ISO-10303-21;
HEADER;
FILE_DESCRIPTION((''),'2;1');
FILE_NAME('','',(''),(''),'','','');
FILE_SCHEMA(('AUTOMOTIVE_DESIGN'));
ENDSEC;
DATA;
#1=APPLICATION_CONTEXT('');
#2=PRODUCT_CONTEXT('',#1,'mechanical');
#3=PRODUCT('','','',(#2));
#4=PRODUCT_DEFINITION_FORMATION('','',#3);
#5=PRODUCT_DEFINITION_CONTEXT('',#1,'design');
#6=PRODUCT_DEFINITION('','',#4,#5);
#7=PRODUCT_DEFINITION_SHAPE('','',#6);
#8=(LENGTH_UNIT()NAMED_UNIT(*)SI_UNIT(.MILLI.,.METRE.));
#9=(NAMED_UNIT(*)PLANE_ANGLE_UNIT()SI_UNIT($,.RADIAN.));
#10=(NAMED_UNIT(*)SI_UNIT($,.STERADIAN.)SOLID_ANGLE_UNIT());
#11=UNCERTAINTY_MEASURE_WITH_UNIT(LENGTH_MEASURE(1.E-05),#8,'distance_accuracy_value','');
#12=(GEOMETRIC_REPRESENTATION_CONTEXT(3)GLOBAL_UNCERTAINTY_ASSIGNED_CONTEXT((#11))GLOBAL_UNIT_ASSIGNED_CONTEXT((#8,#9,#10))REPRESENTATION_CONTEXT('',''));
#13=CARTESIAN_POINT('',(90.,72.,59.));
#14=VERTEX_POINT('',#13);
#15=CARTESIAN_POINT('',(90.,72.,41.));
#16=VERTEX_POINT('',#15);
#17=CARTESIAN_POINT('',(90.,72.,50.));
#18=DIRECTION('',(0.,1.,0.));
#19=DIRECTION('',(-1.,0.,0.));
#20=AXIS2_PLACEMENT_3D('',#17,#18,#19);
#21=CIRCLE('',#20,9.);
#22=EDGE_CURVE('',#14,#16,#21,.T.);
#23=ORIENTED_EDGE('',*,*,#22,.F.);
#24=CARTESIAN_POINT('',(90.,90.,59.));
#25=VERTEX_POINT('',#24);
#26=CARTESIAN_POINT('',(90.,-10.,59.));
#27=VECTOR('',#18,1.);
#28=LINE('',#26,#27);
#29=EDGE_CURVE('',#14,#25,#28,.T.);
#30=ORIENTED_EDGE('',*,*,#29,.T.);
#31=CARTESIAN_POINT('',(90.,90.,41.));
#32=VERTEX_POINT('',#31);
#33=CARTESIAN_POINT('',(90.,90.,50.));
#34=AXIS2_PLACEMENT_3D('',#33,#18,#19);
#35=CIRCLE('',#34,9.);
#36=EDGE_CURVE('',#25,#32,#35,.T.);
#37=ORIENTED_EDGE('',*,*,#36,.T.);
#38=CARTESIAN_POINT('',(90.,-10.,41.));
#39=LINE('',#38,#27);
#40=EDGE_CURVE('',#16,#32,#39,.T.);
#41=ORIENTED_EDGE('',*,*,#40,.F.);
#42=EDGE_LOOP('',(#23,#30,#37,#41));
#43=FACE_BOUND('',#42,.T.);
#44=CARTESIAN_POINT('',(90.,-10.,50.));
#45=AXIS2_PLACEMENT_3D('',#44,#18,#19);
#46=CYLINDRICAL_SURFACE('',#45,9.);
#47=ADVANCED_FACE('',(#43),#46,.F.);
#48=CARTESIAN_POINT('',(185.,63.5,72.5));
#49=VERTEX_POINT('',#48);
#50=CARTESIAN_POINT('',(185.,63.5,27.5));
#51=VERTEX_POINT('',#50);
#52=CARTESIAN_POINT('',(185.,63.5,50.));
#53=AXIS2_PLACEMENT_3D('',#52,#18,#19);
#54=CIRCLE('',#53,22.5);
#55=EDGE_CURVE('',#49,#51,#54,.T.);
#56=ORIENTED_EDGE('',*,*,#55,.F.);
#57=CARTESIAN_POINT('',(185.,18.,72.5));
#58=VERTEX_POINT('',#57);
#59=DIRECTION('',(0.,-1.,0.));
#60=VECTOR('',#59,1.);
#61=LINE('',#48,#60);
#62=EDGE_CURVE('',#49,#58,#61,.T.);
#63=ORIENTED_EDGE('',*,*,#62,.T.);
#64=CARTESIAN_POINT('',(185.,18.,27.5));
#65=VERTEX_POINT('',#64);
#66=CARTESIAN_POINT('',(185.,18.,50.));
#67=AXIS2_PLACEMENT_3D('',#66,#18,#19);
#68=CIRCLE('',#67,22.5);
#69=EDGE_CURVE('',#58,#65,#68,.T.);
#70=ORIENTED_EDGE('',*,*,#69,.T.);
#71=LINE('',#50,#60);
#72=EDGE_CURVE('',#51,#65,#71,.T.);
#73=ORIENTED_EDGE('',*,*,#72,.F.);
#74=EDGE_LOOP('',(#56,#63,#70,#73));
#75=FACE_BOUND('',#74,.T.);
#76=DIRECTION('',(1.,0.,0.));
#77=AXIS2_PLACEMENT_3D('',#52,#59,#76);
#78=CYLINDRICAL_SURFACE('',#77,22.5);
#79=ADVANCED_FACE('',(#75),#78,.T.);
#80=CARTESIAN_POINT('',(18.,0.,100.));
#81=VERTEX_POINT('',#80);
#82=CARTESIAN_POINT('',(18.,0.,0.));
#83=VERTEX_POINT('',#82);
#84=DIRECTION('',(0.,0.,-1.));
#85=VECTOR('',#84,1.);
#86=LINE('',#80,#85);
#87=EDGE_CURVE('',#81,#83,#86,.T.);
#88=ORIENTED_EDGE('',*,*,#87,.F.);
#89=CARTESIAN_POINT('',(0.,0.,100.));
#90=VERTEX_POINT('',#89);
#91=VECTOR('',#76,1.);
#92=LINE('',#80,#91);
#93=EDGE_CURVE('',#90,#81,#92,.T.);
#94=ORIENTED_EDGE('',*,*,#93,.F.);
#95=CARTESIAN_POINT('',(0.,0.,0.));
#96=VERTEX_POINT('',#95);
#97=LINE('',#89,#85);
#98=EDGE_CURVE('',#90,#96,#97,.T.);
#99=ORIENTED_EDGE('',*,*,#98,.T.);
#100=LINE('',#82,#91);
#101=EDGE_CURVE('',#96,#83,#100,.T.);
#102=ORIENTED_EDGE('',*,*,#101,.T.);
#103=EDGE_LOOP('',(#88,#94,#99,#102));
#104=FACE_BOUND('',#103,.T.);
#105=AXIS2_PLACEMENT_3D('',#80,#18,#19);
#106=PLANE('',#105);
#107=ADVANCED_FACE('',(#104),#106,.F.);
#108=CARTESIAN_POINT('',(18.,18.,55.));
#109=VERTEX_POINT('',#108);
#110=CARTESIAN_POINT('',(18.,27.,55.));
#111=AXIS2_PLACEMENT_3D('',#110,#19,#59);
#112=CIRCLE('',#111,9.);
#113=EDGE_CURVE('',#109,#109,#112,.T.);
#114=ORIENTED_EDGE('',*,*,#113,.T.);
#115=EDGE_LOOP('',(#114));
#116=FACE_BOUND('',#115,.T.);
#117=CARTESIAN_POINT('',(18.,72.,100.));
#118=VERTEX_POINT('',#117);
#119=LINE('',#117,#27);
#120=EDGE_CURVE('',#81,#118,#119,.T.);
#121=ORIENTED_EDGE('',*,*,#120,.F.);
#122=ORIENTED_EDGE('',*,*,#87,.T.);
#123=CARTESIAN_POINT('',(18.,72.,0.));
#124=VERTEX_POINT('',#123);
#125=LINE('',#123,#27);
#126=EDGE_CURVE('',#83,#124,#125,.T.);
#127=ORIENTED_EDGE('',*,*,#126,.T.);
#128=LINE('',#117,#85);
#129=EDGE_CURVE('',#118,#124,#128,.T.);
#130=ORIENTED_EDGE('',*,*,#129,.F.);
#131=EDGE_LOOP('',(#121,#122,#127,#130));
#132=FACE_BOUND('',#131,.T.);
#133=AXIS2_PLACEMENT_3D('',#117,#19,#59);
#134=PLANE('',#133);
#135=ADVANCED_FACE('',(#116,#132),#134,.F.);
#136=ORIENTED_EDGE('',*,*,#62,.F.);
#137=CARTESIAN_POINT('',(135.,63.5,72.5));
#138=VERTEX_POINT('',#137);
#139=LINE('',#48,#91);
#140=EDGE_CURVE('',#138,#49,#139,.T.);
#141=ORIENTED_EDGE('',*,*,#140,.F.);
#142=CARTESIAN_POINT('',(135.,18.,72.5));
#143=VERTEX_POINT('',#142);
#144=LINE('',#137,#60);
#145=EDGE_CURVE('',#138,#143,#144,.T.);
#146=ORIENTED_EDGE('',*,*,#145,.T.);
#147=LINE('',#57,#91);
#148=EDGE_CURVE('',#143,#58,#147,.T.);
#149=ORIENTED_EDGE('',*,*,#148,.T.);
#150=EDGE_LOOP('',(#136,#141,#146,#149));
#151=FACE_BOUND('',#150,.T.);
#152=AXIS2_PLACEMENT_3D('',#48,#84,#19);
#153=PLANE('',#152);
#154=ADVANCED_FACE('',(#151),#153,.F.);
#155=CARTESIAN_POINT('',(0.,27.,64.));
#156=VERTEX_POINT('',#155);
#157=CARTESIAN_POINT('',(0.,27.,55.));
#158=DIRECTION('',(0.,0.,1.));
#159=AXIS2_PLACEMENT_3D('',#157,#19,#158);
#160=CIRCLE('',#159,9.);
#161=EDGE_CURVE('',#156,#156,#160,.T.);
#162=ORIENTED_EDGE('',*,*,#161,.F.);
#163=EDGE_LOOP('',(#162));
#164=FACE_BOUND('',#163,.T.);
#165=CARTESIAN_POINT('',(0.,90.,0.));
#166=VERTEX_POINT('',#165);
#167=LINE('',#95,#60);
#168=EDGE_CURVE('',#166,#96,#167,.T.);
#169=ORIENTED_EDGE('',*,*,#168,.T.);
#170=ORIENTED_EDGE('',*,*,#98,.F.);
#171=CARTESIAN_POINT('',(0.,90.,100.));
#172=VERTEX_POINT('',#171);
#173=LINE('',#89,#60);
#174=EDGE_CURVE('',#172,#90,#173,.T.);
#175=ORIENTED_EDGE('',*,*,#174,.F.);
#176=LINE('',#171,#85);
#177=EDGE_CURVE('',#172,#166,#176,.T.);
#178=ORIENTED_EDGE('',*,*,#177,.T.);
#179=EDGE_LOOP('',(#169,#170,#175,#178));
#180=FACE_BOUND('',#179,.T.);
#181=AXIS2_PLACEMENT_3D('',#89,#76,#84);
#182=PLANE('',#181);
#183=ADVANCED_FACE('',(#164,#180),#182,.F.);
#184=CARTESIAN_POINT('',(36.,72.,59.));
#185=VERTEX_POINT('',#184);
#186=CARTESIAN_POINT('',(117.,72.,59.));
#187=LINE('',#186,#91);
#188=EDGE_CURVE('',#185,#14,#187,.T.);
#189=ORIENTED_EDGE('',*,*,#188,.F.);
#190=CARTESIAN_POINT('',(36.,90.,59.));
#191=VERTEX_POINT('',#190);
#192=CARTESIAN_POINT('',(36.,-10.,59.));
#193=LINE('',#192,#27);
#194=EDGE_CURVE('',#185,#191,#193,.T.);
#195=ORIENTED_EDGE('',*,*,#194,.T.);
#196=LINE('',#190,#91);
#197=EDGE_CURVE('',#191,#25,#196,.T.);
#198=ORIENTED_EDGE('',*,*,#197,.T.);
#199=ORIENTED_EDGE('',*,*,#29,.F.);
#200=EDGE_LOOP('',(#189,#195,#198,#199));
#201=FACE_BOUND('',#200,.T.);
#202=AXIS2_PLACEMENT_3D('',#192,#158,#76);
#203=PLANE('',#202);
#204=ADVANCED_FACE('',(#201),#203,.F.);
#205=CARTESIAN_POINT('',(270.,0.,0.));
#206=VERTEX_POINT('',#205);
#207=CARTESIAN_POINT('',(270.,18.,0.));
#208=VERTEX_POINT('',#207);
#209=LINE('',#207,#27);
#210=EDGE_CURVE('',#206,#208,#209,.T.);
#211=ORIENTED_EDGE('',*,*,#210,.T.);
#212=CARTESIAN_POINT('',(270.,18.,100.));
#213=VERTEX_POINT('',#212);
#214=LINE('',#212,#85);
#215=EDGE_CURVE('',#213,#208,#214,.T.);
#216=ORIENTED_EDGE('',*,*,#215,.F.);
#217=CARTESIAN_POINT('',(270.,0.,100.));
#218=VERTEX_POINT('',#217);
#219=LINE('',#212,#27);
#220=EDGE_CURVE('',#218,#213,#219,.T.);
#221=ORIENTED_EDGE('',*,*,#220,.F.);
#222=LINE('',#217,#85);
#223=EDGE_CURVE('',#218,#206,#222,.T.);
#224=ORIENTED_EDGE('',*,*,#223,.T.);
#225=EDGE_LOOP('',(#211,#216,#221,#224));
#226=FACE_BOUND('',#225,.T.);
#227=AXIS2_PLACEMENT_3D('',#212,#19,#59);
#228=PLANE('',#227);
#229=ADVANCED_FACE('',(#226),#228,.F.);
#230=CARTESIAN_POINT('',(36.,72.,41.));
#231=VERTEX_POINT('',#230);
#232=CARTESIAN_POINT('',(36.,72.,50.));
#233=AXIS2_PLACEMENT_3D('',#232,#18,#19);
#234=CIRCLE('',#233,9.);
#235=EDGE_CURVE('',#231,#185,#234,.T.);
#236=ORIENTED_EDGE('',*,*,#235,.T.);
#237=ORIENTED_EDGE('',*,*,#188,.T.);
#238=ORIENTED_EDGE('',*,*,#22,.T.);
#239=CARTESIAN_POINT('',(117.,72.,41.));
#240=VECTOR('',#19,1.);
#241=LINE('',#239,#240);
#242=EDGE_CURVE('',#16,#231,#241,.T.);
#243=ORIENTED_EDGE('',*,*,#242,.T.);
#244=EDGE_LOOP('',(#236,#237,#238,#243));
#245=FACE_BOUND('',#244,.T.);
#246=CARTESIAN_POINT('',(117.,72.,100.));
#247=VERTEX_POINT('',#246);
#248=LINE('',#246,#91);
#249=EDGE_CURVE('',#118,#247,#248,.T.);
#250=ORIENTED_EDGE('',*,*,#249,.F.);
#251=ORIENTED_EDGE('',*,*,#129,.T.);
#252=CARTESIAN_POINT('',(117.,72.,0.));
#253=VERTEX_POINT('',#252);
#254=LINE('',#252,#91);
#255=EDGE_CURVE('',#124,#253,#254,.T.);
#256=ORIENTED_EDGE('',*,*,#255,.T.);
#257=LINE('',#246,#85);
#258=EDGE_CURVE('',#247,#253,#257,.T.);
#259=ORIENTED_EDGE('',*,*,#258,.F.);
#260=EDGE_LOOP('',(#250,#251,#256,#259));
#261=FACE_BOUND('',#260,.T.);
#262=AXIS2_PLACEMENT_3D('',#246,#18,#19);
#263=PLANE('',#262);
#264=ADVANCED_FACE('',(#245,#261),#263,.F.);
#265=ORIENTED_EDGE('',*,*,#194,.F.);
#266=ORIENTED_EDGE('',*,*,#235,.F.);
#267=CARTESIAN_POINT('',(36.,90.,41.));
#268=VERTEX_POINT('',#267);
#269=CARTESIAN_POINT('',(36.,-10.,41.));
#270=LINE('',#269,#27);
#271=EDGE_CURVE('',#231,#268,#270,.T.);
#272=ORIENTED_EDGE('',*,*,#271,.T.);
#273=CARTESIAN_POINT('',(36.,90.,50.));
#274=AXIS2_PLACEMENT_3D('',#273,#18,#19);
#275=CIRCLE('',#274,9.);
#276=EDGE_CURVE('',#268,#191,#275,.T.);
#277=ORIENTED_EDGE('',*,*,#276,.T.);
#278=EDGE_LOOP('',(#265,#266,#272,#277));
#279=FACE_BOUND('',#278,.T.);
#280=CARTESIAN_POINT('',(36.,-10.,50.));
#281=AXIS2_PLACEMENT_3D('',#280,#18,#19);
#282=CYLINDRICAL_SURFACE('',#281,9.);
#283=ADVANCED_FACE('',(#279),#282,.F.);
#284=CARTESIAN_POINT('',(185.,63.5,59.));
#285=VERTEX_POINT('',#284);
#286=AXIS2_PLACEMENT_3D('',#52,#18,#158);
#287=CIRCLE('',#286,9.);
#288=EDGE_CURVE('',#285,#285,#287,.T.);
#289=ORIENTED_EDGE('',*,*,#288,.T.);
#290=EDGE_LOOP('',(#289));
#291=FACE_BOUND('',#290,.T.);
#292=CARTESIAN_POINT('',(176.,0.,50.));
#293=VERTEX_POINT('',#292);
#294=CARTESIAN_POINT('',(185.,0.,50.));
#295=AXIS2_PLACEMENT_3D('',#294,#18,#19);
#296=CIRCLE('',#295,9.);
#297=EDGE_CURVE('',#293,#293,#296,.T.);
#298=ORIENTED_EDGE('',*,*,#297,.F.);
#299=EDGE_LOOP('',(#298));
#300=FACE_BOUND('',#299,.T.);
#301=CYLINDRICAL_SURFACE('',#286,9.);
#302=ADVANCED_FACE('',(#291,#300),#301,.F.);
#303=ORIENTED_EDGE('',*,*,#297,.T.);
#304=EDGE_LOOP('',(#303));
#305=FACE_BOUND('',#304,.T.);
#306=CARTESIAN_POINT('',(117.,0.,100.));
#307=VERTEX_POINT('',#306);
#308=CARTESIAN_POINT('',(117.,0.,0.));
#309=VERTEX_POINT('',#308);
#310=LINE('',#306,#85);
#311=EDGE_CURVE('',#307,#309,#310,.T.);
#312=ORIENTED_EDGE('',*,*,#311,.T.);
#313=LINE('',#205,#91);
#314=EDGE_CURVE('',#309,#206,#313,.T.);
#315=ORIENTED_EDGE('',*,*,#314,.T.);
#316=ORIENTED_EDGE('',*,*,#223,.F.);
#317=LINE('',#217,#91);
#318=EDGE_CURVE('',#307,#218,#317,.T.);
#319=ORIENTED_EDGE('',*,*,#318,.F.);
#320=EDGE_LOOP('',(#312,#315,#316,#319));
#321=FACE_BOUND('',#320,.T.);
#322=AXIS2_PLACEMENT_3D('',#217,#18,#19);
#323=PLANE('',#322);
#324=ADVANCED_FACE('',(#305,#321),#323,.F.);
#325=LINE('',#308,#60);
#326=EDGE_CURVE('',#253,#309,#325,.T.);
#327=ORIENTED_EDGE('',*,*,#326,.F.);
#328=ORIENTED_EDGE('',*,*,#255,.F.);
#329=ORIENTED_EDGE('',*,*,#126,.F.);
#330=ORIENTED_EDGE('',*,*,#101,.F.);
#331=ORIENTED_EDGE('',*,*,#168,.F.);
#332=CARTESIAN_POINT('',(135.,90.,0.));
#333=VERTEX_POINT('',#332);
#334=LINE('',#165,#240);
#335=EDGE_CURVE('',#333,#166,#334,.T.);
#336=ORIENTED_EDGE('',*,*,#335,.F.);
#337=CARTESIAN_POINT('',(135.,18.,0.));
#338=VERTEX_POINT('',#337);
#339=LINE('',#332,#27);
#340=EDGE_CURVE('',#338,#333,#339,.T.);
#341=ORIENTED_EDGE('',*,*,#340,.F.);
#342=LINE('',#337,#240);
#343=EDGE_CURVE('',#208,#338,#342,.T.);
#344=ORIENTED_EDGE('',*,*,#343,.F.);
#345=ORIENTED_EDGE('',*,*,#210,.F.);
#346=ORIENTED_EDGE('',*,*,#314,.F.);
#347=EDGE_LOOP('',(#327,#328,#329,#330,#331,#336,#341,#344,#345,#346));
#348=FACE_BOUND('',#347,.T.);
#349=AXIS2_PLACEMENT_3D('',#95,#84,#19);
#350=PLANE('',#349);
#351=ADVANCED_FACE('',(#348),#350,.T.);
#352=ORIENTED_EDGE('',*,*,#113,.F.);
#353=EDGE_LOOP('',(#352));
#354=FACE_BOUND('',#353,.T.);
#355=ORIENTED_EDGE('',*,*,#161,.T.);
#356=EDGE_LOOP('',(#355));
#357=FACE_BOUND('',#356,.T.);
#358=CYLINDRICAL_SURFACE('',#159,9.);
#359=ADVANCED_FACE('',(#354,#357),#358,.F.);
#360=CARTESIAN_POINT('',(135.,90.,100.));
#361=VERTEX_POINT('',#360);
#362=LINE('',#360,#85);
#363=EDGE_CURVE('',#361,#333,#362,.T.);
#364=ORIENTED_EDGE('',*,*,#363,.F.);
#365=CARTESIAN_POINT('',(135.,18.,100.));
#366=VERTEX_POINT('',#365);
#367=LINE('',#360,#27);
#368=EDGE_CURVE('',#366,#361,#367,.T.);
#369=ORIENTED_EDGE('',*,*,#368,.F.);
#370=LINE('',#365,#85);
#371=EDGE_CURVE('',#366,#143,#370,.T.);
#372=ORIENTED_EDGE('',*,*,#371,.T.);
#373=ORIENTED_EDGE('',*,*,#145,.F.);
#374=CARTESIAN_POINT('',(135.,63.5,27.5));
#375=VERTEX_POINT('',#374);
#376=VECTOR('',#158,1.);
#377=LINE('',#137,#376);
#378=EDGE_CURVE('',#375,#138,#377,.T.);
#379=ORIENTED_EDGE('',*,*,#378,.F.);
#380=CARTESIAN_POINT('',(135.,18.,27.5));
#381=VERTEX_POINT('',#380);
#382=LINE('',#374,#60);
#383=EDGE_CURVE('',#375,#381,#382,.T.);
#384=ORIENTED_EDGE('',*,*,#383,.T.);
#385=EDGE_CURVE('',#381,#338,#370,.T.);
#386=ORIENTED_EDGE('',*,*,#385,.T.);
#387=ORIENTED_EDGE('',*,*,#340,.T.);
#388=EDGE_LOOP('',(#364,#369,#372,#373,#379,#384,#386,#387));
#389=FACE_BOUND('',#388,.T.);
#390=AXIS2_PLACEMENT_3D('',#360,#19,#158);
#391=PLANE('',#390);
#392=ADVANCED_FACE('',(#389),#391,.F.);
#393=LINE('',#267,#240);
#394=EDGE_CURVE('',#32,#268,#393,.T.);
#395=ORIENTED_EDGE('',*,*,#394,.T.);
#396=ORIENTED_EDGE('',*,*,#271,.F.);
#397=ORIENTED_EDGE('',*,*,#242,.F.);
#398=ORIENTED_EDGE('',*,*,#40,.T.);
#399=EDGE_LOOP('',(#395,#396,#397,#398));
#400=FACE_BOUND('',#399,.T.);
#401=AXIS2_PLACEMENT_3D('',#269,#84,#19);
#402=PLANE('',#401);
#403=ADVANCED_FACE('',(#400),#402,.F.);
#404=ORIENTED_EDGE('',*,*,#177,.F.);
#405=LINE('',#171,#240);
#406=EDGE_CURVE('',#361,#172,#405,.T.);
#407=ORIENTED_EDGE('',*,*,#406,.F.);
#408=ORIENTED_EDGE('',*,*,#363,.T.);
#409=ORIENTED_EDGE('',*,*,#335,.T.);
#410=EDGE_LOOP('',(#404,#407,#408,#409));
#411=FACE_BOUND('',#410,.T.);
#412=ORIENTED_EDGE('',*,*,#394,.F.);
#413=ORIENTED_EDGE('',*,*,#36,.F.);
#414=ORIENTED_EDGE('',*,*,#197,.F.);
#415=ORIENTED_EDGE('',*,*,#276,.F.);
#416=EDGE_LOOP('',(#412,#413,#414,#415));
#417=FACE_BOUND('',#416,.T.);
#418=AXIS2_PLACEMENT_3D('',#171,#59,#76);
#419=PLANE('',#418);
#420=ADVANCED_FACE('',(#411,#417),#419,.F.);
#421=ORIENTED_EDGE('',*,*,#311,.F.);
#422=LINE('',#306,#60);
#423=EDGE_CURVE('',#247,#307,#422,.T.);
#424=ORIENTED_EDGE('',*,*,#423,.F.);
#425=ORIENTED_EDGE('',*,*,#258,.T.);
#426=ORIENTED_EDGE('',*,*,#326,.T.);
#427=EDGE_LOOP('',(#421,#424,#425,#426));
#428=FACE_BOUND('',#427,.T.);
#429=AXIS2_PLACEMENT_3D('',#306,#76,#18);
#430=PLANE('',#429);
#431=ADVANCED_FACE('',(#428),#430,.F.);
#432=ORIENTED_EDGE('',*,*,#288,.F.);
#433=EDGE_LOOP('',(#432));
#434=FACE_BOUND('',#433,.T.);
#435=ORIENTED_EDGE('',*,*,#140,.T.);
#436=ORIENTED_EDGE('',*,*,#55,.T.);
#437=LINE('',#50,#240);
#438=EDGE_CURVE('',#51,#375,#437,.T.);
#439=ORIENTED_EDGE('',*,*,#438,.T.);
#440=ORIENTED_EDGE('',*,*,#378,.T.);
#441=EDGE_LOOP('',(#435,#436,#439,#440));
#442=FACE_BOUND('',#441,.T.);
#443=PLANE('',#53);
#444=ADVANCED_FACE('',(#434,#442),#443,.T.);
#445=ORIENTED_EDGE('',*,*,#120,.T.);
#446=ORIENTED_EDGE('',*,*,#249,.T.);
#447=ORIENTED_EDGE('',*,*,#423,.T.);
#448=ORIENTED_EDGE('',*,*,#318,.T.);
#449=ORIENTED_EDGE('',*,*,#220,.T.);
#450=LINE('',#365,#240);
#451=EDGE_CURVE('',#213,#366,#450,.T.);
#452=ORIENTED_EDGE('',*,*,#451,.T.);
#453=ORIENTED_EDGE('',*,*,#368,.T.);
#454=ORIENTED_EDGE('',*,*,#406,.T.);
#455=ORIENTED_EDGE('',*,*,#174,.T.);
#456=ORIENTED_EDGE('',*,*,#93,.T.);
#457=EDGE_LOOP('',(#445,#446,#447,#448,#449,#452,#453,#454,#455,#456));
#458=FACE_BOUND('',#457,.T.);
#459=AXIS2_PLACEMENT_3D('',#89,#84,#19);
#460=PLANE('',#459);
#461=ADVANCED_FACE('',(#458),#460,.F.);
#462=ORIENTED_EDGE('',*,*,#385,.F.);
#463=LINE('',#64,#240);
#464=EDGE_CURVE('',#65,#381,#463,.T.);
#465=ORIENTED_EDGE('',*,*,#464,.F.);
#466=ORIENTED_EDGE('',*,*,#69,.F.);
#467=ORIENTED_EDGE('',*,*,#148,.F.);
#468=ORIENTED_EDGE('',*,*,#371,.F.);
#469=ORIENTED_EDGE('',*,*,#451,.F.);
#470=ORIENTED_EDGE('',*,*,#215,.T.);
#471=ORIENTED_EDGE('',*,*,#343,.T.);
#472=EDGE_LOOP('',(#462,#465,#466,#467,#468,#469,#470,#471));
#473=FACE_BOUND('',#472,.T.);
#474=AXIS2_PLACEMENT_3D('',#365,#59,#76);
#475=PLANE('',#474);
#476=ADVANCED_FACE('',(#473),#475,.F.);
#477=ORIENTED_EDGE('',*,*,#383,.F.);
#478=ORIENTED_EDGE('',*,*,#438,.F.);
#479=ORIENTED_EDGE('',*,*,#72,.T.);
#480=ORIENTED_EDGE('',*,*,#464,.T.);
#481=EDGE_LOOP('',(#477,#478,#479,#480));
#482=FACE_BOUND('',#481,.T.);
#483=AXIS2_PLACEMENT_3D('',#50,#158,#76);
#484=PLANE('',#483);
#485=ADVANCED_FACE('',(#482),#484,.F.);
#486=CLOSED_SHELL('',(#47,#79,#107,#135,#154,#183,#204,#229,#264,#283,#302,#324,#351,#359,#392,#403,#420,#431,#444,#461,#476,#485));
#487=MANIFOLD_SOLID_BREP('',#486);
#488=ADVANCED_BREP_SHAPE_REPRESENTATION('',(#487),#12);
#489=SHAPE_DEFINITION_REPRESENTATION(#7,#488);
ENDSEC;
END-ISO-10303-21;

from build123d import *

# Parameters (mm, degrees)
BOSS_EXTRUDE1_DEPTH = 100
CUT_EXTRUDE1_DEPTH  = 100
BOSS_EXTRUDE2_DEPTH = 45.5
HOLE1_D             = 18
HOLE2_D             = 18
HOLE2_DEPTH         = 18


with BuildPart() as part:
    # Sketch1 → Boss-Extrude1 (new body)
    with BuildSketch(Plane.XY):
        Polygon((0, 0), (0, 90), (135, 90), (135, 18), (270, 18), (270, 0), (117, 0), (117, 72), (18, 72), (18, 0), align=None)
    extrude(amount=BOSS_EXTRUDE1_DEPTH)

    # Sketch2 → Cut-Extrude1 (cut)
    with BuildSketch(Plane(origin=(0, 90, 0), x_dir=(1, 0, 0), z_dir=(0, 1, 0))):
        with BuildLine():
            Line((36, -41), (90, -41))
            ThreePointArc((90, -41), (99, -50), (90, -59))
            Line((90, -59), (36, -59))
            ThreePointArc((36, -59), (27, -50), (36, -41))
        make_face()
    extrude(amount=-CUT_EXTRUDE1_DEPTH, mode=Mode.SUBTRACT)

    # Sketch4 → Boss-Extrude2 (add)
    with BuildSketch(Plane(origin=(0, 18, 0), x_dir=(1, 0, 0), z_dir=(0, 1, 0))):
        with BuildLine():
            Line((185, -27.5), (135, -27.5))
            Line((135, -27.5), (135, -72.5))
            Line((135, -72.5), (185, -72.5))
            ThreePointArc((185, -72.5), (207.5, -50), (185, -27.5))
        make_face()
    extrude(amount=BOSS_EXTRUDE2_DEPTH)

    # Hole1 (through all)
    with Locations(Plane(origin=(0, 63.5, 0), x_dir=(1, 0, 0), z_dir=(0, 1, 0))):
        with Locations((185, -50)):
            Hole(HOLE1_D / 2)

    # Hole2
    with Locations(Plane.ZY):
        with Locations((55, 27)):
            Hole(HOLE2_D / 2, depth=HOLE2_DEPTH)


solid = part.part
